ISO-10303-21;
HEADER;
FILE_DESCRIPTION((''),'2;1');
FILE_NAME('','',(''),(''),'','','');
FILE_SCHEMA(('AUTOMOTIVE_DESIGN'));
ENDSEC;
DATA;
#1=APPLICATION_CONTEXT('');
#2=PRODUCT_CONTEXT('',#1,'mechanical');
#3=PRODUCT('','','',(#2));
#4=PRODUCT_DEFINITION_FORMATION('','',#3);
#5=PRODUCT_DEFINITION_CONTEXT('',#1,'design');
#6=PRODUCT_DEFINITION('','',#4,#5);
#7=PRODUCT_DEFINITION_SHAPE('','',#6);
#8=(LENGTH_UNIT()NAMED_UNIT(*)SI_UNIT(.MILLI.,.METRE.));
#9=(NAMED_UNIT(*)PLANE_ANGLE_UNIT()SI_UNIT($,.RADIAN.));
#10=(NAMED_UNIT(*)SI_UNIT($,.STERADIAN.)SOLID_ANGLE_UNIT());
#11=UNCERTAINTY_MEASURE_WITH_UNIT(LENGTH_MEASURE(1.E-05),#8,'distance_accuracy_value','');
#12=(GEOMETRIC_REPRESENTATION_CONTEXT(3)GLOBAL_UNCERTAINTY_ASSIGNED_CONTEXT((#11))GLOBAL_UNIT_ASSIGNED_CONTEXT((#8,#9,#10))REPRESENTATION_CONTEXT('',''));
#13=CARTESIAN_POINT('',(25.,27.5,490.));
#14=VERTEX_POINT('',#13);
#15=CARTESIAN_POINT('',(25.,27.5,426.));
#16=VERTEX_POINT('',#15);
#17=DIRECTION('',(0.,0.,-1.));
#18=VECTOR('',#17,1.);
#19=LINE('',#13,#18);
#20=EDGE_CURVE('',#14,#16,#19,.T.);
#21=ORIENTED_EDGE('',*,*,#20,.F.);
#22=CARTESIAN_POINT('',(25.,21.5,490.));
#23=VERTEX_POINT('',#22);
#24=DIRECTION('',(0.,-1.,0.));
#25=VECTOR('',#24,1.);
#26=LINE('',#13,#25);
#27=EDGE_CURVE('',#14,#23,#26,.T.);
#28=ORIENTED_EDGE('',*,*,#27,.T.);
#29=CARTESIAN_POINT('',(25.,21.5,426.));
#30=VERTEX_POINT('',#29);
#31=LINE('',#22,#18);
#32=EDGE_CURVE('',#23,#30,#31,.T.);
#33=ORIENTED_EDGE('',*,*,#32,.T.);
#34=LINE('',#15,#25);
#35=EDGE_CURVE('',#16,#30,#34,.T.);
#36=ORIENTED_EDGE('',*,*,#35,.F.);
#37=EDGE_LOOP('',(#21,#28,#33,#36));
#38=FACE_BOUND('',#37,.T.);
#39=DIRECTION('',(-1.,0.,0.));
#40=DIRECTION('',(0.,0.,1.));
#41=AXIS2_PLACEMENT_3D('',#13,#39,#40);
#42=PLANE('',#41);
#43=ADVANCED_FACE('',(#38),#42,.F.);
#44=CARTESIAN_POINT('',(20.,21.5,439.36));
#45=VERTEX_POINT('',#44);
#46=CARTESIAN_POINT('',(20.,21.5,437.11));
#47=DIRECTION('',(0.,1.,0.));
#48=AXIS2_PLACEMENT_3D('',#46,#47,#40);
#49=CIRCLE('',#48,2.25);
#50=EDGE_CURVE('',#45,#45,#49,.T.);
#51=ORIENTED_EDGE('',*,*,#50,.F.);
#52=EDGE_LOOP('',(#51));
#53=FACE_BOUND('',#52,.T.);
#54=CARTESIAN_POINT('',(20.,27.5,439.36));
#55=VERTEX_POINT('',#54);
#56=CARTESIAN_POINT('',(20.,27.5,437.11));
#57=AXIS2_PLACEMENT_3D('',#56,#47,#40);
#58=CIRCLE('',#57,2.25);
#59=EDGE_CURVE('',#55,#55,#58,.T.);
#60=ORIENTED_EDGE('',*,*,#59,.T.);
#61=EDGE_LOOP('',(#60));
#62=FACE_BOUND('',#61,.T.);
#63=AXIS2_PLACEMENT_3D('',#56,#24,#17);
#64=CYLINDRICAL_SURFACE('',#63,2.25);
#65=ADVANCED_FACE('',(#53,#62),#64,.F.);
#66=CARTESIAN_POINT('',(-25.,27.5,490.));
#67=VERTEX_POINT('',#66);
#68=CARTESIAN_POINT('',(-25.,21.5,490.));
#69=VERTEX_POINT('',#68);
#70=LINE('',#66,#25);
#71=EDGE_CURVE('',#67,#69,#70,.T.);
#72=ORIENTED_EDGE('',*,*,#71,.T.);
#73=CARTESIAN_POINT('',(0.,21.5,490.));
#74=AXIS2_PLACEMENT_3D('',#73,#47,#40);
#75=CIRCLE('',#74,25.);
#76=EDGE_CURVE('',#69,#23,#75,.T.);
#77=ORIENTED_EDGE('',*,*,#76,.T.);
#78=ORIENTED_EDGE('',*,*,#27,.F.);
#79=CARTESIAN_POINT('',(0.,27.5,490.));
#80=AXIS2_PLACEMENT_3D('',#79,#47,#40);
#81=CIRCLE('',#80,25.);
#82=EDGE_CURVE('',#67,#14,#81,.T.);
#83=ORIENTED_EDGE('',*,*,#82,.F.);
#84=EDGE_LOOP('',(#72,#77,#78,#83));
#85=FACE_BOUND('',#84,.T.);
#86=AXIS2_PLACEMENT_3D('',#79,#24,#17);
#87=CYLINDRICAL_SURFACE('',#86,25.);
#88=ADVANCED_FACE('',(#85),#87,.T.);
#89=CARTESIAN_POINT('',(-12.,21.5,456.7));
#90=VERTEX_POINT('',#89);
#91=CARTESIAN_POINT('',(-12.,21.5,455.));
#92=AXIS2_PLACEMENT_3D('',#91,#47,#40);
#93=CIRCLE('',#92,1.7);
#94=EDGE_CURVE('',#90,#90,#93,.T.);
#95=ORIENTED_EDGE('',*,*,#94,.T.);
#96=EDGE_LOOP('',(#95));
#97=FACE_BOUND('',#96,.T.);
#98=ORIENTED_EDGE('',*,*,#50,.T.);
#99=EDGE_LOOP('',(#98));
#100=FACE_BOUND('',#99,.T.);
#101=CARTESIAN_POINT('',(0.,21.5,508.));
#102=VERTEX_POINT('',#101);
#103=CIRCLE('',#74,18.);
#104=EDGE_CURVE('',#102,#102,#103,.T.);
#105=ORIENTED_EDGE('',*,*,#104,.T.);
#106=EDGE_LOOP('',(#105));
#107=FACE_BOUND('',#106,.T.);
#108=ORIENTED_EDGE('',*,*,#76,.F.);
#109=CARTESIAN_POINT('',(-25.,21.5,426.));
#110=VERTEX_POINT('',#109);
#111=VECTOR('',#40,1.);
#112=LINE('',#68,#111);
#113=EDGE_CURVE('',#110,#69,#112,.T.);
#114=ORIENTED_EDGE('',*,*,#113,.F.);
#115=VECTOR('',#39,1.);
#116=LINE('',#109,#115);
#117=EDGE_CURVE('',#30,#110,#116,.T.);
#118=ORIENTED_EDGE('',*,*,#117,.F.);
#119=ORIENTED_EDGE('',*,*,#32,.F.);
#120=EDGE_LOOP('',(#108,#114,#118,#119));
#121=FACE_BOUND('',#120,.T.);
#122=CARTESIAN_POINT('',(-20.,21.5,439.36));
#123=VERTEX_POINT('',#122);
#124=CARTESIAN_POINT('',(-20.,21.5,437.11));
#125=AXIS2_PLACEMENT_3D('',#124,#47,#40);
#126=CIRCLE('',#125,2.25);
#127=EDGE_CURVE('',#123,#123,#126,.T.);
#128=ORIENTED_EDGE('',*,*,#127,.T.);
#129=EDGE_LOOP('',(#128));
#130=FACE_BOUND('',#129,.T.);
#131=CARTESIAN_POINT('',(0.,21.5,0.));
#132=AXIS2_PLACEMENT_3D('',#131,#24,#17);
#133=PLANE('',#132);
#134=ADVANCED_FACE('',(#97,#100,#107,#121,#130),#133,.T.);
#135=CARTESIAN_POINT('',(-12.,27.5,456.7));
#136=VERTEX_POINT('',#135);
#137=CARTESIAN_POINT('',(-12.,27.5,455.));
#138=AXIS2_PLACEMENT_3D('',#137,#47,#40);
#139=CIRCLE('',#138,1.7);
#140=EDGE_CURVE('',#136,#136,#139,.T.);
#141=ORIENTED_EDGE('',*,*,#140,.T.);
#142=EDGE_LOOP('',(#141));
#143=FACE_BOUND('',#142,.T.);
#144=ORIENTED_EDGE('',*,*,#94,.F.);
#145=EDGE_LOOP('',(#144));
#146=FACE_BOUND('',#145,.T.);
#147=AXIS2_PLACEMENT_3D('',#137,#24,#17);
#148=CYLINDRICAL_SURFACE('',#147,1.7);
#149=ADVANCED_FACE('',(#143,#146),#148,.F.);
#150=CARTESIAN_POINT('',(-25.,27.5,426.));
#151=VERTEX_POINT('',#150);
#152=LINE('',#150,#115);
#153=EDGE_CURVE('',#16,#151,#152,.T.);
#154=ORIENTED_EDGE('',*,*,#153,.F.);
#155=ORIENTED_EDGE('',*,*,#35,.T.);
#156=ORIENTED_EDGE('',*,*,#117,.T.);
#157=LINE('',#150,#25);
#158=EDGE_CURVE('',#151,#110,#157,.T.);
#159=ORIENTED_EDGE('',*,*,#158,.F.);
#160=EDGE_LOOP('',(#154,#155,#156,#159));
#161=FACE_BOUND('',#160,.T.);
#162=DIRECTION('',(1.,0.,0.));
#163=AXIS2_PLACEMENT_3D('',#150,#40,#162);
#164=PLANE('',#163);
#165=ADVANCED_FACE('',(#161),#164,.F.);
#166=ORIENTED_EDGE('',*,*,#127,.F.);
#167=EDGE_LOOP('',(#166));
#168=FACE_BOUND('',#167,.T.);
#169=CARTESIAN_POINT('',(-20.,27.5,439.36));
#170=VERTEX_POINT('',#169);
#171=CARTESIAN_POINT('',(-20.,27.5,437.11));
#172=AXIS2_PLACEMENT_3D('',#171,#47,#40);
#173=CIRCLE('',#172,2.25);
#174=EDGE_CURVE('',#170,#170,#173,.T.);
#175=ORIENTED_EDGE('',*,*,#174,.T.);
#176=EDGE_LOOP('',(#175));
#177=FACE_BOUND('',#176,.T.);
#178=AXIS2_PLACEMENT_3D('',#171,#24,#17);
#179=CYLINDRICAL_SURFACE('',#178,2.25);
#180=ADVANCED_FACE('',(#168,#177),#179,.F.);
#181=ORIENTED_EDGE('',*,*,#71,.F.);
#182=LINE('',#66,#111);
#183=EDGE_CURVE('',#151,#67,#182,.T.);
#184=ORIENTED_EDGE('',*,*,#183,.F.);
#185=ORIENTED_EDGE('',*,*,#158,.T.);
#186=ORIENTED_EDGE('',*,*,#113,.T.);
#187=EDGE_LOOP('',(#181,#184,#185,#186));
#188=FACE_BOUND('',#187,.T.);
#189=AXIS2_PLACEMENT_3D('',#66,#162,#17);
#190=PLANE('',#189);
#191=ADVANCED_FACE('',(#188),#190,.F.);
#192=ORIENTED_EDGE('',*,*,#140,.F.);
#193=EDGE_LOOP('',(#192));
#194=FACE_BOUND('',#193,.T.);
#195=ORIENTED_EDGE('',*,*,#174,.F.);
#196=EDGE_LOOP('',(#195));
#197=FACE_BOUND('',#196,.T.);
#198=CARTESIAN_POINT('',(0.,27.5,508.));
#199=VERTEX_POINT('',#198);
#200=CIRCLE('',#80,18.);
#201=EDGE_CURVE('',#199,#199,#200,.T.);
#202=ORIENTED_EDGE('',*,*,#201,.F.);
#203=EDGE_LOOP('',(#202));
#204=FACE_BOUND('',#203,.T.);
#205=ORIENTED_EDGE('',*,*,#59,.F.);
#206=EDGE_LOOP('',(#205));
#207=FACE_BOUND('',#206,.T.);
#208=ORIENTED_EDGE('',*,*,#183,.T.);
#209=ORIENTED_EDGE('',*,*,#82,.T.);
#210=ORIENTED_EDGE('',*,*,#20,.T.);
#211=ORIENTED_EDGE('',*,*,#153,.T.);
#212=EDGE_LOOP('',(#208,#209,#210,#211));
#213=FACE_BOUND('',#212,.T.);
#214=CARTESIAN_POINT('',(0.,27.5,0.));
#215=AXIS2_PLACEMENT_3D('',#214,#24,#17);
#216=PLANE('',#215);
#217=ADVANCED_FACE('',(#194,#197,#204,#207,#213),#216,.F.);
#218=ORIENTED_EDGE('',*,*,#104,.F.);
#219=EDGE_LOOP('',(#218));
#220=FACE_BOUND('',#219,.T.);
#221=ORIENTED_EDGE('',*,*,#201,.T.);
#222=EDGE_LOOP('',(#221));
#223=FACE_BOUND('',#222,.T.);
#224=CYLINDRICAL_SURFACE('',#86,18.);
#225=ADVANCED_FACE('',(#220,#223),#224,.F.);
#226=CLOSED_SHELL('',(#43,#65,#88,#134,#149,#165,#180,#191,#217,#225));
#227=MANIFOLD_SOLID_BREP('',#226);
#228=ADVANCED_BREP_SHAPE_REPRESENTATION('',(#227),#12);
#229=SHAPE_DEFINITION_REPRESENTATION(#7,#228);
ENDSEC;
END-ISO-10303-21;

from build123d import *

# Parameters (mm, degrees)
PARED_START               = 21.5
SK_PARED_W                = 50
SK_PARED_H                = 64
PARED_DEPTH               = 6
CABEZA_START              = 21.5
SK_CABEZA_R               = 25
CABEZA_DEPTH              = 6
PASO_CUBO_J5_START        = 21.5
SK_PASO_CUBO_J5_R         = 18
PASO_CUBO_J5_DEPTH        = 6
PASANTES_M4_ANGULOS_START = 21.5
SK_PASANTES_M4_ANGULOS_R  = 2.25
PASANTES_M4_ANGULOS_DEPTH = 6
PASANTE_M3_CINCHO_START   = 21.5
SK_PASANTE_M3_CINCHO_R    = 1.7
PASANTE_M3_CINCHO_DEPTH   = 6


with BuildPart() as part:
    # Sk_Pared → Pared (new body)
    with BuildSketch(Plane(origin=(0, 0, 0), x_dir=(1, 0, 0), z_dir=(0, 1, 0)).offset(PARED_START)):
        with Locations((0, -458)):
            Rectangle(SK_PARED_W, SK_PARED_H)
    extrude(amount=PARED_DEPTH)

    # Sk_Cabeza → Cabeza (add)
    with BuildSketch(Plane(origin=(0, 0, 0), x_dir=(1, 0, 0), z_dir=(0, 1, 0)).offset(CABEZA_START)):
        with Locations((0, -490)):
            Circle(SK_CABEZA_R)
    extrude(amount=CABEZA_DEPTH)

    # Sk_Paso_cubo_J5 → Paso_cubo_J5 (cut)
    with BuildSketch(Plane(origin=(0, 0, 0), x_dir=(1, 0, 0), z_dir=(0, 1, 0)).offset(PASO_CUBO_J5_START)):
        with Locations(Location((0, -490, 0), (0, 0, 270))):
            Circle(SK_PASO_CUBO_J5_R)
    extrude(amount=PASO_CUBO_J5_DEPTH, mode=Mode.SUBTRACT)

    # Sk_Pasantes_M4_angulos → Pasantes_M4_angulos (cut)
    with BuildSketch(Plane(origin=(0, 0, 0), x_dir=(1, 0, 0), z_dir=(0, 1, 0)).offset(PASANTES_M4_ANGULOS_START)):
        with Locations(Location((-20, -437.11, 0), (0, 0, 270))):
            Circle(SK_PASANTES_M4_ANGULOS_R)
        with Locations(Location((20, -437.11, 0), (0, 0, 270))):
            Circle(SK_PASANTES_M4_ANGULOS_R)
    extrude(amount=PASANTES_M4_ANGULOS_DEPTH, mode=Mode.SUBTRACT)

    # Sk_Pasante_M3_cincho → Pasante_M3_cincho (cut)
    with BuildSketch(Plane(origin=(0, 0, 0), x_dir=(1, 0, 0), z_dir=(0, 1, 0)).offset(PASANTE_M3_CINCHO_START)):
        with Locations(Location((-12, -455, 0), (0, 0, 270))):
            Circle(SK_PASANTE_M3_CINCHO_R)
    extrude(amount=PASANTE_M3_CINCHO_DEPTH, mode=Mode.SUBTRACT)


solid = part.part
